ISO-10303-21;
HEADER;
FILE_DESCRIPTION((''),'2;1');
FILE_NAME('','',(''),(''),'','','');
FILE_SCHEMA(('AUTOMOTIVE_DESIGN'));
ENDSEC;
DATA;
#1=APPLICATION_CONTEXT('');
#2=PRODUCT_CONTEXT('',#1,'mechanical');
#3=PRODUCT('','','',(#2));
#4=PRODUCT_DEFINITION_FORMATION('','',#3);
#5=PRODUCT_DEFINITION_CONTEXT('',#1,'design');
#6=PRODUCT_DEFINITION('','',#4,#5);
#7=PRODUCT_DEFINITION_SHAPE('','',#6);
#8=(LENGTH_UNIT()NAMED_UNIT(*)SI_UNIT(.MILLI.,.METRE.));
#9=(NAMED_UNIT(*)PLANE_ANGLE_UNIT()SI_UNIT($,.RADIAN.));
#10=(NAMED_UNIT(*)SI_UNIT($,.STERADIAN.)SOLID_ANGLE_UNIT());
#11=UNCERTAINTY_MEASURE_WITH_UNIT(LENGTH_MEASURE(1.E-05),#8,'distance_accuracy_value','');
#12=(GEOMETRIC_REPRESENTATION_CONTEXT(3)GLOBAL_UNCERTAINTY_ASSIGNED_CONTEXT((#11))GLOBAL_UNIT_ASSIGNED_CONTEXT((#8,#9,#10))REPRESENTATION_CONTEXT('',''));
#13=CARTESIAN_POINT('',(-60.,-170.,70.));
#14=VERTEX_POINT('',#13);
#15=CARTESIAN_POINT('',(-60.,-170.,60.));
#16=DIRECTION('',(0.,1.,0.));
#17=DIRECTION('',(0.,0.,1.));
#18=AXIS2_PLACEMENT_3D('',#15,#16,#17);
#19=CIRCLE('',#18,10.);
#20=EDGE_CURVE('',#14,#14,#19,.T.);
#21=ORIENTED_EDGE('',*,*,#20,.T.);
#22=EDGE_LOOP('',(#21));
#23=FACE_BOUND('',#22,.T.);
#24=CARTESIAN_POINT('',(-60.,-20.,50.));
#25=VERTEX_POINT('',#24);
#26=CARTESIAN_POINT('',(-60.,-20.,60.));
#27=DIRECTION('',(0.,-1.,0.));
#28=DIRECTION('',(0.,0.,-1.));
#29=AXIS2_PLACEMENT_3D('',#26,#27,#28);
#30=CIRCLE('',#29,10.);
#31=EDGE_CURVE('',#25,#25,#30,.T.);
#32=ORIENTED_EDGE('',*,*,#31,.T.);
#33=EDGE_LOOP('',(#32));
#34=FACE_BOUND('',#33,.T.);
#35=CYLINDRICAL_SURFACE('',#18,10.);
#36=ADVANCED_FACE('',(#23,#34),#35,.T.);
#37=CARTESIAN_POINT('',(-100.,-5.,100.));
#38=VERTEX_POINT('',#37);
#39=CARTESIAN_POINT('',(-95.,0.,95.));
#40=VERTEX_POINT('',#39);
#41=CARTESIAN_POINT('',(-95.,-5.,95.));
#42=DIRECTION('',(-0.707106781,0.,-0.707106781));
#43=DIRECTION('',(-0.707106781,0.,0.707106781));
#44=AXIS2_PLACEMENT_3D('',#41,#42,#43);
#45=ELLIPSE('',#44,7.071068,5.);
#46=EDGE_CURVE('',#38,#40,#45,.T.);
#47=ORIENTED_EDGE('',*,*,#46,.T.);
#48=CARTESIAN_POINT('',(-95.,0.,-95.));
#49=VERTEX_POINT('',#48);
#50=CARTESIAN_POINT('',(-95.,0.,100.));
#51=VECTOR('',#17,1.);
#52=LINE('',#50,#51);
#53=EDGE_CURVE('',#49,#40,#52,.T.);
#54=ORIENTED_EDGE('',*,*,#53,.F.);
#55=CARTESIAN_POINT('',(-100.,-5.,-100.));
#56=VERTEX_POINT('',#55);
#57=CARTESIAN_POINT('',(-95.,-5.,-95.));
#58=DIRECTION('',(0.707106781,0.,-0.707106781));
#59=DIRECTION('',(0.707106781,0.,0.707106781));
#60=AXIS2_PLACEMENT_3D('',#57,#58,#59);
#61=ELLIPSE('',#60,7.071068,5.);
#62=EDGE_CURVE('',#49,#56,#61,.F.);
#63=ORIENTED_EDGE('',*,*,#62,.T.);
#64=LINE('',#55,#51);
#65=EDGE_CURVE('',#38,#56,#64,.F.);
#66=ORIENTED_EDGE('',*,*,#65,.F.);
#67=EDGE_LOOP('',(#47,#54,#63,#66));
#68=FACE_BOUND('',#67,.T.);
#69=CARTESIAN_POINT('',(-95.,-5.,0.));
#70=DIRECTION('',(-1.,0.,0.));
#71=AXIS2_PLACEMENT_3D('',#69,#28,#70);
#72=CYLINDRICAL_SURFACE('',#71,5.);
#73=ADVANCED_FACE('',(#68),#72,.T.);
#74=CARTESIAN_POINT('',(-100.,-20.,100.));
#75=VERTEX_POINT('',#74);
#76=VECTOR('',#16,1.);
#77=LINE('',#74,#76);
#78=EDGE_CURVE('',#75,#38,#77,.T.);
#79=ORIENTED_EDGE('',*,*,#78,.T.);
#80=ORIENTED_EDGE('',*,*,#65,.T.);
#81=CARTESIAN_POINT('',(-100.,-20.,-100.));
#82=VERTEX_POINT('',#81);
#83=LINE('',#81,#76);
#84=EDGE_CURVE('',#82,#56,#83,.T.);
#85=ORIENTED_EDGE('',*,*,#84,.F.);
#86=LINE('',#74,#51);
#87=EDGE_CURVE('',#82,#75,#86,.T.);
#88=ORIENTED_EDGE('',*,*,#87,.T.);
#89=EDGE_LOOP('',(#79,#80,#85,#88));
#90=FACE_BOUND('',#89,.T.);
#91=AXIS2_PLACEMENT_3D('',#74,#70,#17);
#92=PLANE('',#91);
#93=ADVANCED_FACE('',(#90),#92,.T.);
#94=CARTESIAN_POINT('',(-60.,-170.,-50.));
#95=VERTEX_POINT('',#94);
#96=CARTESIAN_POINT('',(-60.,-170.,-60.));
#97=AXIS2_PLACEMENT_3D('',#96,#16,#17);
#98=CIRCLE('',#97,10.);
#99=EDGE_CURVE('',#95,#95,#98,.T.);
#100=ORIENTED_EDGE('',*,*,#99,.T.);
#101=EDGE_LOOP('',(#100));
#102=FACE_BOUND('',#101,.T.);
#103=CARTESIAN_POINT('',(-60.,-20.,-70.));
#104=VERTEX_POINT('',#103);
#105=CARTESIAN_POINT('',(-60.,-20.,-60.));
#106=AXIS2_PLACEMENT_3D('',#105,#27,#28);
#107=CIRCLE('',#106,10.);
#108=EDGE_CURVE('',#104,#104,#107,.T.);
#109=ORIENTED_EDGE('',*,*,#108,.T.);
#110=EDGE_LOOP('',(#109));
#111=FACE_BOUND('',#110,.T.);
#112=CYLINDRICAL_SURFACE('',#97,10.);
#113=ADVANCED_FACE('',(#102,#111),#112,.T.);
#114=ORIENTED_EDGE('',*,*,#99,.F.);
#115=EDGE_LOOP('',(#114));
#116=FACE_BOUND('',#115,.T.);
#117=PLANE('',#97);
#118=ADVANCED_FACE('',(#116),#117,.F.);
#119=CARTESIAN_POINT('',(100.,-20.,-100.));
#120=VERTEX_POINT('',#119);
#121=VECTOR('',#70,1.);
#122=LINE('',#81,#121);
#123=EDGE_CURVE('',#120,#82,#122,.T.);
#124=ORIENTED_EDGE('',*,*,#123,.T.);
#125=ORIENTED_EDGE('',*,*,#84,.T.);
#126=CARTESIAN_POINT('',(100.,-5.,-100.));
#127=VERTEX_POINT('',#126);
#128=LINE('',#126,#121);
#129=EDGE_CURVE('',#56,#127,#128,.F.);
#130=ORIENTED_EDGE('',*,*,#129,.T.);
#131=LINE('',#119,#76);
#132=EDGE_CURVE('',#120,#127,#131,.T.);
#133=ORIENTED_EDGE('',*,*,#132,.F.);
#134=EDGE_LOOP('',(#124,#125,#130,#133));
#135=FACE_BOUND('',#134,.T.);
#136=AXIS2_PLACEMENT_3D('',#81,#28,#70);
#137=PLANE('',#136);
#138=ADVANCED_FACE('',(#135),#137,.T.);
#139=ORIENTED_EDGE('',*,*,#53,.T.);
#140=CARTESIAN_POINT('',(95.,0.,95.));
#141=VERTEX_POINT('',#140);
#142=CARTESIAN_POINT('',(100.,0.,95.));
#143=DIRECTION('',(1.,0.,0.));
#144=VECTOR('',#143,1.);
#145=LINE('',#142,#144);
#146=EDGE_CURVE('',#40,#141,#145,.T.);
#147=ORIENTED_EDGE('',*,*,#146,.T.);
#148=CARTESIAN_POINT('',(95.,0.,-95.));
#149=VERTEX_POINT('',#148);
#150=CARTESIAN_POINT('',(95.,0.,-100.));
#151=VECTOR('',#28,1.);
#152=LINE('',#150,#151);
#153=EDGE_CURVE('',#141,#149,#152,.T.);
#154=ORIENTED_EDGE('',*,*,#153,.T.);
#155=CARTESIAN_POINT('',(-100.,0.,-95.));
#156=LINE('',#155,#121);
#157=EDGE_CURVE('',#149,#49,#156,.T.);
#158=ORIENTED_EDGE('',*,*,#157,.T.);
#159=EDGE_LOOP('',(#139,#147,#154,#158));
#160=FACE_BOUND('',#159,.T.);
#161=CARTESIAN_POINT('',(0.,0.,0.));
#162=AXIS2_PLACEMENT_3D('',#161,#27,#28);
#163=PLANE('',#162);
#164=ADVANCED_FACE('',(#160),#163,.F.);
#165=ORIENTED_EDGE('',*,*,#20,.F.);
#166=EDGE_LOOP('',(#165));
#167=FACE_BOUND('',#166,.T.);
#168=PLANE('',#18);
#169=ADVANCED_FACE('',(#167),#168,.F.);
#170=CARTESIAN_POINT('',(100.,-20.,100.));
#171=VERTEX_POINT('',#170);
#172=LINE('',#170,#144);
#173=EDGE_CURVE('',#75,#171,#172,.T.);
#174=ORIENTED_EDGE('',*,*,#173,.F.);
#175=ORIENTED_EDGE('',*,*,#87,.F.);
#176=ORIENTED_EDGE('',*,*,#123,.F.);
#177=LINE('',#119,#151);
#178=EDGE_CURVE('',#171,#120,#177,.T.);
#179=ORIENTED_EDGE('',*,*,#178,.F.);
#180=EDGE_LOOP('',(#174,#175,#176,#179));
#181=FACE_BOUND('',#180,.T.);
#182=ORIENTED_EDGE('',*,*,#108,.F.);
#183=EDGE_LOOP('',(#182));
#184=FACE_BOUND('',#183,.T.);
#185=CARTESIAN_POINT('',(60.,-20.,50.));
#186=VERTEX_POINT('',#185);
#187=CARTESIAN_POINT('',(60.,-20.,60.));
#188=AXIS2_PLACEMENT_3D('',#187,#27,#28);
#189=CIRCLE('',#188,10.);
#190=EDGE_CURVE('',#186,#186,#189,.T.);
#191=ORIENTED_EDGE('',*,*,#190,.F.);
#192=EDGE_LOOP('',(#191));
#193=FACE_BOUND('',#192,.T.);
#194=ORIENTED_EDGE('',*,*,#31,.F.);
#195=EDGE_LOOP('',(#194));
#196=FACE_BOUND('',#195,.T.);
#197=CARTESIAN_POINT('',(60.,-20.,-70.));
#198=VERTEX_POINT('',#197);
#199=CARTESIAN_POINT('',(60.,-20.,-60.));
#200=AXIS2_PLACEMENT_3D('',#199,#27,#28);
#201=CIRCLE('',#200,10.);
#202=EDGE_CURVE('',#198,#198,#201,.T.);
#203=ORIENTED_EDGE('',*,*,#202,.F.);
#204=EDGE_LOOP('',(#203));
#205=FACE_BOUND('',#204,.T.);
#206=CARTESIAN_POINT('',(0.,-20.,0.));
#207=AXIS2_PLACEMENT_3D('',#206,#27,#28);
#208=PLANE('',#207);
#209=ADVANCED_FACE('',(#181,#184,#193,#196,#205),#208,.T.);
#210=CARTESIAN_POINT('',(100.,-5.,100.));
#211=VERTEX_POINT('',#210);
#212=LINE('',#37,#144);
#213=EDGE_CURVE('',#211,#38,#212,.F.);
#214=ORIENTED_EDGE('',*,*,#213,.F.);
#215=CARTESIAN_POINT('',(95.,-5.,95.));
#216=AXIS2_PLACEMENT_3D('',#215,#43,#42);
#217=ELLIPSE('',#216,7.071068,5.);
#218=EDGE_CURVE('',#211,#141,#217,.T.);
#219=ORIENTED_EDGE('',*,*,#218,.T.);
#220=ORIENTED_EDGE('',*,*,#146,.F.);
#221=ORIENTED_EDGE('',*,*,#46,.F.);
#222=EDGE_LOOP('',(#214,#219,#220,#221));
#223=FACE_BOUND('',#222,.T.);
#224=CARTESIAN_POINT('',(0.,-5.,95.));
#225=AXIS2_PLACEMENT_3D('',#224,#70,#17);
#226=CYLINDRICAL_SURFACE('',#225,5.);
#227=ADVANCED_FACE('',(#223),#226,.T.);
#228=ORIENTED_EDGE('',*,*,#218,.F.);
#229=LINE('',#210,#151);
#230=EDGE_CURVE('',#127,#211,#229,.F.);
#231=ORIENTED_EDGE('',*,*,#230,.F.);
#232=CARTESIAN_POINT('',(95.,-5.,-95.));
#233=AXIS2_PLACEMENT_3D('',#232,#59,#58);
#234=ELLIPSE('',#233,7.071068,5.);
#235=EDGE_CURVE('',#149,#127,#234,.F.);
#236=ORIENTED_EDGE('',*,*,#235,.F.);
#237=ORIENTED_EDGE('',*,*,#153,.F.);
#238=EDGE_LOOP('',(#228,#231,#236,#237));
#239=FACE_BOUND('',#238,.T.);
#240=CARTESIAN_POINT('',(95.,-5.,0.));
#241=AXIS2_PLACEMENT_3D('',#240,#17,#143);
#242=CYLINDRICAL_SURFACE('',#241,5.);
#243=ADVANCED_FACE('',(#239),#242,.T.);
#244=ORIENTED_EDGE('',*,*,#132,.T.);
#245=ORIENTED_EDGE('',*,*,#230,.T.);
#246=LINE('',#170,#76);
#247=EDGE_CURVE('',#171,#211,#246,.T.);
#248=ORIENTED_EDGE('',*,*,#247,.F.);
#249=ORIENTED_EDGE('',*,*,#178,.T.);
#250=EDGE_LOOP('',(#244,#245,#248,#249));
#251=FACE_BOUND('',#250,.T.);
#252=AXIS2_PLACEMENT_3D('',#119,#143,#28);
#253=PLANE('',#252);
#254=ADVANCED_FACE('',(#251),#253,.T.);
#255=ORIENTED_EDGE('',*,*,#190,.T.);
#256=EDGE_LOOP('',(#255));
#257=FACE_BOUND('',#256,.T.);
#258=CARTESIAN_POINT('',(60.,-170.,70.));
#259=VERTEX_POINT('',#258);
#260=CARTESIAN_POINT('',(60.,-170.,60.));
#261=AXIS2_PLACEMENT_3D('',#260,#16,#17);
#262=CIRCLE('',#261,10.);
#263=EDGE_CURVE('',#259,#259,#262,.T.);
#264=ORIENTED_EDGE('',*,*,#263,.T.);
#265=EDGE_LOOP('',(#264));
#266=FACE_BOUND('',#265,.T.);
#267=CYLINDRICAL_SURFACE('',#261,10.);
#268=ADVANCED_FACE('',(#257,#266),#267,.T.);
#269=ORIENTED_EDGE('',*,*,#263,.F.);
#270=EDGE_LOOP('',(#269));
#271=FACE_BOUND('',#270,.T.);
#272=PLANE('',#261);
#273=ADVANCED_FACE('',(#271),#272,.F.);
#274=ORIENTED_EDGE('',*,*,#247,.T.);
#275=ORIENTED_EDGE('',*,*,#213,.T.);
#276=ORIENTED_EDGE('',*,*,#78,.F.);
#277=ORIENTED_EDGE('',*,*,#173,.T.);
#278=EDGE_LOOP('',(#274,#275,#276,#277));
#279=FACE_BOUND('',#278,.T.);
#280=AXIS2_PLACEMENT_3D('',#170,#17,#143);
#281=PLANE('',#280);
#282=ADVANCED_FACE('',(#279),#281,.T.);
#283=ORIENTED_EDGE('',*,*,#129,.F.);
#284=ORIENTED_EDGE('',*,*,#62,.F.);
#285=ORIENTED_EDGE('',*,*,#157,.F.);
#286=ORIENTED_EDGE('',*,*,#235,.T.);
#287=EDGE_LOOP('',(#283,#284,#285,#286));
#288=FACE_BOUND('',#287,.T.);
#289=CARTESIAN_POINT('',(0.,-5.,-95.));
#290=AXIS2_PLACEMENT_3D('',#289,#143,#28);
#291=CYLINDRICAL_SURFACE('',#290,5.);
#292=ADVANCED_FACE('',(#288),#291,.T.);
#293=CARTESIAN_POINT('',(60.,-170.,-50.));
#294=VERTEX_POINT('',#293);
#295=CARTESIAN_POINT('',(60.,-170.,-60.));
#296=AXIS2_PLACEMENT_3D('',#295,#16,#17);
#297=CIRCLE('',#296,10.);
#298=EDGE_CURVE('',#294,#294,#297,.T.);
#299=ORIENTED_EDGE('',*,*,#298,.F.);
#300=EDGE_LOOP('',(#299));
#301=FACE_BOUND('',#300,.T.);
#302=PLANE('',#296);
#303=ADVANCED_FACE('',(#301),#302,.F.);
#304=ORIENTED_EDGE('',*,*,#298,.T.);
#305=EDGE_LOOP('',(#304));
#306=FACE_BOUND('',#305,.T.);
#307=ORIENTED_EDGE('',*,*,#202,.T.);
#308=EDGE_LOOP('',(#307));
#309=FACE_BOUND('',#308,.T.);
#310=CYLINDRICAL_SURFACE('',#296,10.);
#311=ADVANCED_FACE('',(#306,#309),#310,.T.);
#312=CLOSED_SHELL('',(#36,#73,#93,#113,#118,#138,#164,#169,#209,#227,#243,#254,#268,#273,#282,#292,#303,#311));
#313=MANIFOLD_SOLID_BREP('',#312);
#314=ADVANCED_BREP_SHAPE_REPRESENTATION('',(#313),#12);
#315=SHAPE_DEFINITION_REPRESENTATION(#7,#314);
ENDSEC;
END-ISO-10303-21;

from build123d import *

# Parameters (mm, degrees)
SKETCH_1_W      = 200
SKETCH_1_H      = 200
EXTRUDE_1_DEPTH = 20
FILLET_1_R      = 5
SKETCH_4_R      = 10
EXTRUDE_4_DEPTH = 150


with BuildPart() as part:
    # 草图1 → 凸台-拉伸1 (new body)
    with BuildSketch(Plane(origin=(0, 0, 0), x_dir=(1, 0, 0), z_dir=(0, 1, 0))):
        Rectangle(SKETCH_1_W, SKETCH_1_H)
    extrude(amount=-EXTRUDE_1_DEPTH)

    # 圆角1
    fillet_1_edges = [part.edges().sort_by_distance(p)[0] for p in [
        (0, 0, -100),
        (100, 0, 0),
        (0, 0, 100),
        (-100, 0, 0),
    ]]
    fillet(fillet_1_edges, radius=FILLET_1_R)

    # 草图4 → 凸台-拉伸4 (add)
    with BuildSketch(Plane(origin=(0, -20, 0), x_dir=(1, 0, 0), z_dir=(0, 1, 0))):
        with Locations(Location((-60, 60, 0), (0, 0, 270))):
            Circle(SKETCH_4_R)
        with Locations(Location((60, 60, 0), (0, 0, 270))):
            Circle(SKETCH_4_R)
        with Locations(Location((-60, -60, 0), (0, 0, 270))):
            Circle(SKETCH_4_R)
        with Locations(Location((60, -60, 0), (0, 0, 270))):
            Circle(SKETCH_4_R)
    extrude(amount=-EXTRUDE_4_DEPTH)


solid = part.part
